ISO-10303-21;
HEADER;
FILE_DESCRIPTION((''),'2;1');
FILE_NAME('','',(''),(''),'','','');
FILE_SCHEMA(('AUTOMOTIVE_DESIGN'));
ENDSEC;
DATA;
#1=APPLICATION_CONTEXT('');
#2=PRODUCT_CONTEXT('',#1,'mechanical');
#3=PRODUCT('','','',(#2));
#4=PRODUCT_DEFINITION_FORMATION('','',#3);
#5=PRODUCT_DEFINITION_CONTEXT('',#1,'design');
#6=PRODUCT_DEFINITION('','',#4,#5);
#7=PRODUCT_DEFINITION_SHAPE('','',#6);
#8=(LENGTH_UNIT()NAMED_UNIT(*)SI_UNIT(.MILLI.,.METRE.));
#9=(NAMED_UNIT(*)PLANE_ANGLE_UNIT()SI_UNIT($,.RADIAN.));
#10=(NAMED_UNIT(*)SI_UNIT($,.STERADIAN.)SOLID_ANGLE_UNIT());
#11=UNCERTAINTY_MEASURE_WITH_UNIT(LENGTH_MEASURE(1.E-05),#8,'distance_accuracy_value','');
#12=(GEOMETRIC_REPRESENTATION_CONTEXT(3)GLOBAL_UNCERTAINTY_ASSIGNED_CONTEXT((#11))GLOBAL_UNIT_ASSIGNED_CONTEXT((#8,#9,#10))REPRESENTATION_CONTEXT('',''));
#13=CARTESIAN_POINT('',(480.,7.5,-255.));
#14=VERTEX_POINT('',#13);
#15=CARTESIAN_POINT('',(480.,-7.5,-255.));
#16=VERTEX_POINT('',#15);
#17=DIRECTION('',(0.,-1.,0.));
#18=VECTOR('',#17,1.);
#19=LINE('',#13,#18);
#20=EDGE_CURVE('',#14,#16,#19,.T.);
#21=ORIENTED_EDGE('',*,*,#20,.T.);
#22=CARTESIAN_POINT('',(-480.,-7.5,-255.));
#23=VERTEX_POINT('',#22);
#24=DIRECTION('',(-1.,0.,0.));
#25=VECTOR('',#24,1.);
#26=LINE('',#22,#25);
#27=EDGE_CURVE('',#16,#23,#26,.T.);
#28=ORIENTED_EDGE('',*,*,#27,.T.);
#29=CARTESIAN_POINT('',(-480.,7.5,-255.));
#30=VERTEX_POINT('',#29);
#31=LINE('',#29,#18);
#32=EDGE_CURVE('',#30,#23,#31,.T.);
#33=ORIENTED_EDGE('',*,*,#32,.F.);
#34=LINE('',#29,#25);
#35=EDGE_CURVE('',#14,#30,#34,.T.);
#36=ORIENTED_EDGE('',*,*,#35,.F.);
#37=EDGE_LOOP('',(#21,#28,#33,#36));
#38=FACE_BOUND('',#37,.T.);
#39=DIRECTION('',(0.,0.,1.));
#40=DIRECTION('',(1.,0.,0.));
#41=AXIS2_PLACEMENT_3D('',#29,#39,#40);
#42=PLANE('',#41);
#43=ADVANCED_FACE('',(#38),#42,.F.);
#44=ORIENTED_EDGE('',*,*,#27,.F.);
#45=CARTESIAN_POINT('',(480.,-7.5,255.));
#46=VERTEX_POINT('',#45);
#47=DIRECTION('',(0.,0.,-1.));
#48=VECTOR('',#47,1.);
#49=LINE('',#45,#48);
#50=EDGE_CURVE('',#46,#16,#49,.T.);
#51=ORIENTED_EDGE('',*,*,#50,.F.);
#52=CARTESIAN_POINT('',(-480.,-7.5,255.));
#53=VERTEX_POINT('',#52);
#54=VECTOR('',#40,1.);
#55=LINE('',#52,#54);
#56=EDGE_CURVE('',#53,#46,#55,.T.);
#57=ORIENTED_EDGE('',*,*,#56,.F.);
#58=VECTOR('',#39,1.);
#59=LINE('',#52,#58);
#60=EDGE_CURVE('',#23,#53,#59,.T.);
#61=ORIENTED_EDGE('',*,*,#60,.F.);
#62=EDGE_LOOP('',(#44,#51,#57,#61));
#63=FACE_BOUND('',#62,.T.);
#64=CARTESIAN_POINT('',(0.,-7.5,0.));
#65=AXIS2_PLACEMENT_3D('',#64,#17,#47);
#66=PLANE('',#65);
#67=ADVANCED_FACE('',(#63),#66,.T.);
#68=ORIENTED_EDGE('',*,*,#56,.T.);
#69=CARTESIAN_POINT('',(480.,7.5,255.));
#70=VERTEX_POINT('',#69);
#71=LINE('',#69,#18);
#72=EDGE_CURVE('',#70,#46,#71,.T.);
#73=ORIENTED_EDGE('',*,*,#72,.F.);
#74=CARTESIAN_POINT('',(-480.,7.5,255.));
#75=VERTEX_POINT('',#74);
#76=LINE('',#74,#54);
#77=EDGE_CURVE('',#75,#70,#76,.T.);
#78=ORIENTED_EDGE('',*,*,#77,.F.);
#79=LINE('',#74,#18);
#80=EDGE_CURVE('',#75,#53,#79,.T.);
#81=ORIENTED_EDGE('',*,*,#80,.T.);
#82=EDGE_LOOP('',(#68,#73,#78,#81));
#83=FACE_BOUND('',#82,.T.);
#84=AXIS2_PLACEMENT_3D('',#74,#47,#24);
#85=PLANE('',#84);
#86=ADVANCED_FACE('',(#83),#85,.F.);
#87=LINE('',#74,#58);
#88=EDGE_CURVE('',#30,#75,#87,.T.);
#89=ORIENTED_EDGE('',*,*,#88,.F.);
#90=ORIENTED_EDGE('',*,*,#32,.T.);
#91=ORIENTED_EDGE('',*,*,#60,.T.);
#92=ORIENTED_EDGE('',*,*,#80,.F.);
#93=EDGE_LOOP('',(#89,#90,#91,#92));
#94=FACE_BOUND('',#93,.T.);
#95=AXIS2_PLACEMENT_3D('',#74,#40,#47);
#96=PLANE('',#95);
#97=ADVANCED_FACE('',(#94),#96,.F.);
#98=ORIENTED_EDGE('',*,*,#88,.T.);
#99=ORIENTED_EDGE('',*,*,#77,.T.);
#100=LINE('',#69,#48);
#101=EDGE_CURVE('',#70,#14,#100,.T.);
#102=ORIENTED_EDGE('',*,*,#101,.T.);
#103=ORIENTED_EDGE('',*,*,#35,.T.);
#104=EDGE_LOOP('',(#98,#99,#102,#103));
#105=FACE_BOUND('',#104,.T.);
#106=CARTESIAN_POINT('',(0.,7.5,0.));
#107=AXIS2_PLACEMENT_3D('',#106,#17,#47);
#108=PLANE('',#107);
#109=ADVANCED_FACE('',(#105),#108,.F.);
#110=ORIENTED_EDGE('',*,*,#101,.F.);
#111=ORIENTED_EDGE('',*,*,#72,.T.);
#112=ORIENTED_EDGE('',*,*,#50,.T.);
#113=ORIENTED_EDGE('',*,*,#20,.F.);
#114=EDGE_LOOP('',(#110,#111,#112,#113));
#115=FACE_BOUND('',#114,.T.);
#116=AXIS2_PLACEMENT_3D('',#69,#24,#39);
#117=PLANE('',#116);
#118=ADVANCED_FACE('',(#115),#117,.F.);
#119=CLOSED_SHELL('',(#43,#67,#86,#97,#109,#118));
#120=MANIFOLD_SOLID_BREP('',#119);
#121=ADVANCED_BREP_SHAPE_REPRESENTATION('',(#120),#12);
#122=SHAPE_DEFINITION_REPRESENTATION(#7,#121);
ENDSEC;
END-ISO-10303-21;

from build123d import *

# Parameters (mm, degrees)
SKETCH1_W           = 960
SKETCH1_H           = 510
BOSS_EXTRUDE1_DEPTH = 7.5


with BuildPart() as part:
    # Sketch1 → Boss-Extrude1 (new body, symmetric)
    with BuildSketch(Plane(origin=(0, 0, 0), x_dir=(1, 0, 0), z_dir=(0, 1, 0))):
        Rectangle(SKETCH1_W, SKETCH1_H)
    extrude(amount=BOSS_EXTRUDE1_DEPTH, both=True)


solid = part.part
